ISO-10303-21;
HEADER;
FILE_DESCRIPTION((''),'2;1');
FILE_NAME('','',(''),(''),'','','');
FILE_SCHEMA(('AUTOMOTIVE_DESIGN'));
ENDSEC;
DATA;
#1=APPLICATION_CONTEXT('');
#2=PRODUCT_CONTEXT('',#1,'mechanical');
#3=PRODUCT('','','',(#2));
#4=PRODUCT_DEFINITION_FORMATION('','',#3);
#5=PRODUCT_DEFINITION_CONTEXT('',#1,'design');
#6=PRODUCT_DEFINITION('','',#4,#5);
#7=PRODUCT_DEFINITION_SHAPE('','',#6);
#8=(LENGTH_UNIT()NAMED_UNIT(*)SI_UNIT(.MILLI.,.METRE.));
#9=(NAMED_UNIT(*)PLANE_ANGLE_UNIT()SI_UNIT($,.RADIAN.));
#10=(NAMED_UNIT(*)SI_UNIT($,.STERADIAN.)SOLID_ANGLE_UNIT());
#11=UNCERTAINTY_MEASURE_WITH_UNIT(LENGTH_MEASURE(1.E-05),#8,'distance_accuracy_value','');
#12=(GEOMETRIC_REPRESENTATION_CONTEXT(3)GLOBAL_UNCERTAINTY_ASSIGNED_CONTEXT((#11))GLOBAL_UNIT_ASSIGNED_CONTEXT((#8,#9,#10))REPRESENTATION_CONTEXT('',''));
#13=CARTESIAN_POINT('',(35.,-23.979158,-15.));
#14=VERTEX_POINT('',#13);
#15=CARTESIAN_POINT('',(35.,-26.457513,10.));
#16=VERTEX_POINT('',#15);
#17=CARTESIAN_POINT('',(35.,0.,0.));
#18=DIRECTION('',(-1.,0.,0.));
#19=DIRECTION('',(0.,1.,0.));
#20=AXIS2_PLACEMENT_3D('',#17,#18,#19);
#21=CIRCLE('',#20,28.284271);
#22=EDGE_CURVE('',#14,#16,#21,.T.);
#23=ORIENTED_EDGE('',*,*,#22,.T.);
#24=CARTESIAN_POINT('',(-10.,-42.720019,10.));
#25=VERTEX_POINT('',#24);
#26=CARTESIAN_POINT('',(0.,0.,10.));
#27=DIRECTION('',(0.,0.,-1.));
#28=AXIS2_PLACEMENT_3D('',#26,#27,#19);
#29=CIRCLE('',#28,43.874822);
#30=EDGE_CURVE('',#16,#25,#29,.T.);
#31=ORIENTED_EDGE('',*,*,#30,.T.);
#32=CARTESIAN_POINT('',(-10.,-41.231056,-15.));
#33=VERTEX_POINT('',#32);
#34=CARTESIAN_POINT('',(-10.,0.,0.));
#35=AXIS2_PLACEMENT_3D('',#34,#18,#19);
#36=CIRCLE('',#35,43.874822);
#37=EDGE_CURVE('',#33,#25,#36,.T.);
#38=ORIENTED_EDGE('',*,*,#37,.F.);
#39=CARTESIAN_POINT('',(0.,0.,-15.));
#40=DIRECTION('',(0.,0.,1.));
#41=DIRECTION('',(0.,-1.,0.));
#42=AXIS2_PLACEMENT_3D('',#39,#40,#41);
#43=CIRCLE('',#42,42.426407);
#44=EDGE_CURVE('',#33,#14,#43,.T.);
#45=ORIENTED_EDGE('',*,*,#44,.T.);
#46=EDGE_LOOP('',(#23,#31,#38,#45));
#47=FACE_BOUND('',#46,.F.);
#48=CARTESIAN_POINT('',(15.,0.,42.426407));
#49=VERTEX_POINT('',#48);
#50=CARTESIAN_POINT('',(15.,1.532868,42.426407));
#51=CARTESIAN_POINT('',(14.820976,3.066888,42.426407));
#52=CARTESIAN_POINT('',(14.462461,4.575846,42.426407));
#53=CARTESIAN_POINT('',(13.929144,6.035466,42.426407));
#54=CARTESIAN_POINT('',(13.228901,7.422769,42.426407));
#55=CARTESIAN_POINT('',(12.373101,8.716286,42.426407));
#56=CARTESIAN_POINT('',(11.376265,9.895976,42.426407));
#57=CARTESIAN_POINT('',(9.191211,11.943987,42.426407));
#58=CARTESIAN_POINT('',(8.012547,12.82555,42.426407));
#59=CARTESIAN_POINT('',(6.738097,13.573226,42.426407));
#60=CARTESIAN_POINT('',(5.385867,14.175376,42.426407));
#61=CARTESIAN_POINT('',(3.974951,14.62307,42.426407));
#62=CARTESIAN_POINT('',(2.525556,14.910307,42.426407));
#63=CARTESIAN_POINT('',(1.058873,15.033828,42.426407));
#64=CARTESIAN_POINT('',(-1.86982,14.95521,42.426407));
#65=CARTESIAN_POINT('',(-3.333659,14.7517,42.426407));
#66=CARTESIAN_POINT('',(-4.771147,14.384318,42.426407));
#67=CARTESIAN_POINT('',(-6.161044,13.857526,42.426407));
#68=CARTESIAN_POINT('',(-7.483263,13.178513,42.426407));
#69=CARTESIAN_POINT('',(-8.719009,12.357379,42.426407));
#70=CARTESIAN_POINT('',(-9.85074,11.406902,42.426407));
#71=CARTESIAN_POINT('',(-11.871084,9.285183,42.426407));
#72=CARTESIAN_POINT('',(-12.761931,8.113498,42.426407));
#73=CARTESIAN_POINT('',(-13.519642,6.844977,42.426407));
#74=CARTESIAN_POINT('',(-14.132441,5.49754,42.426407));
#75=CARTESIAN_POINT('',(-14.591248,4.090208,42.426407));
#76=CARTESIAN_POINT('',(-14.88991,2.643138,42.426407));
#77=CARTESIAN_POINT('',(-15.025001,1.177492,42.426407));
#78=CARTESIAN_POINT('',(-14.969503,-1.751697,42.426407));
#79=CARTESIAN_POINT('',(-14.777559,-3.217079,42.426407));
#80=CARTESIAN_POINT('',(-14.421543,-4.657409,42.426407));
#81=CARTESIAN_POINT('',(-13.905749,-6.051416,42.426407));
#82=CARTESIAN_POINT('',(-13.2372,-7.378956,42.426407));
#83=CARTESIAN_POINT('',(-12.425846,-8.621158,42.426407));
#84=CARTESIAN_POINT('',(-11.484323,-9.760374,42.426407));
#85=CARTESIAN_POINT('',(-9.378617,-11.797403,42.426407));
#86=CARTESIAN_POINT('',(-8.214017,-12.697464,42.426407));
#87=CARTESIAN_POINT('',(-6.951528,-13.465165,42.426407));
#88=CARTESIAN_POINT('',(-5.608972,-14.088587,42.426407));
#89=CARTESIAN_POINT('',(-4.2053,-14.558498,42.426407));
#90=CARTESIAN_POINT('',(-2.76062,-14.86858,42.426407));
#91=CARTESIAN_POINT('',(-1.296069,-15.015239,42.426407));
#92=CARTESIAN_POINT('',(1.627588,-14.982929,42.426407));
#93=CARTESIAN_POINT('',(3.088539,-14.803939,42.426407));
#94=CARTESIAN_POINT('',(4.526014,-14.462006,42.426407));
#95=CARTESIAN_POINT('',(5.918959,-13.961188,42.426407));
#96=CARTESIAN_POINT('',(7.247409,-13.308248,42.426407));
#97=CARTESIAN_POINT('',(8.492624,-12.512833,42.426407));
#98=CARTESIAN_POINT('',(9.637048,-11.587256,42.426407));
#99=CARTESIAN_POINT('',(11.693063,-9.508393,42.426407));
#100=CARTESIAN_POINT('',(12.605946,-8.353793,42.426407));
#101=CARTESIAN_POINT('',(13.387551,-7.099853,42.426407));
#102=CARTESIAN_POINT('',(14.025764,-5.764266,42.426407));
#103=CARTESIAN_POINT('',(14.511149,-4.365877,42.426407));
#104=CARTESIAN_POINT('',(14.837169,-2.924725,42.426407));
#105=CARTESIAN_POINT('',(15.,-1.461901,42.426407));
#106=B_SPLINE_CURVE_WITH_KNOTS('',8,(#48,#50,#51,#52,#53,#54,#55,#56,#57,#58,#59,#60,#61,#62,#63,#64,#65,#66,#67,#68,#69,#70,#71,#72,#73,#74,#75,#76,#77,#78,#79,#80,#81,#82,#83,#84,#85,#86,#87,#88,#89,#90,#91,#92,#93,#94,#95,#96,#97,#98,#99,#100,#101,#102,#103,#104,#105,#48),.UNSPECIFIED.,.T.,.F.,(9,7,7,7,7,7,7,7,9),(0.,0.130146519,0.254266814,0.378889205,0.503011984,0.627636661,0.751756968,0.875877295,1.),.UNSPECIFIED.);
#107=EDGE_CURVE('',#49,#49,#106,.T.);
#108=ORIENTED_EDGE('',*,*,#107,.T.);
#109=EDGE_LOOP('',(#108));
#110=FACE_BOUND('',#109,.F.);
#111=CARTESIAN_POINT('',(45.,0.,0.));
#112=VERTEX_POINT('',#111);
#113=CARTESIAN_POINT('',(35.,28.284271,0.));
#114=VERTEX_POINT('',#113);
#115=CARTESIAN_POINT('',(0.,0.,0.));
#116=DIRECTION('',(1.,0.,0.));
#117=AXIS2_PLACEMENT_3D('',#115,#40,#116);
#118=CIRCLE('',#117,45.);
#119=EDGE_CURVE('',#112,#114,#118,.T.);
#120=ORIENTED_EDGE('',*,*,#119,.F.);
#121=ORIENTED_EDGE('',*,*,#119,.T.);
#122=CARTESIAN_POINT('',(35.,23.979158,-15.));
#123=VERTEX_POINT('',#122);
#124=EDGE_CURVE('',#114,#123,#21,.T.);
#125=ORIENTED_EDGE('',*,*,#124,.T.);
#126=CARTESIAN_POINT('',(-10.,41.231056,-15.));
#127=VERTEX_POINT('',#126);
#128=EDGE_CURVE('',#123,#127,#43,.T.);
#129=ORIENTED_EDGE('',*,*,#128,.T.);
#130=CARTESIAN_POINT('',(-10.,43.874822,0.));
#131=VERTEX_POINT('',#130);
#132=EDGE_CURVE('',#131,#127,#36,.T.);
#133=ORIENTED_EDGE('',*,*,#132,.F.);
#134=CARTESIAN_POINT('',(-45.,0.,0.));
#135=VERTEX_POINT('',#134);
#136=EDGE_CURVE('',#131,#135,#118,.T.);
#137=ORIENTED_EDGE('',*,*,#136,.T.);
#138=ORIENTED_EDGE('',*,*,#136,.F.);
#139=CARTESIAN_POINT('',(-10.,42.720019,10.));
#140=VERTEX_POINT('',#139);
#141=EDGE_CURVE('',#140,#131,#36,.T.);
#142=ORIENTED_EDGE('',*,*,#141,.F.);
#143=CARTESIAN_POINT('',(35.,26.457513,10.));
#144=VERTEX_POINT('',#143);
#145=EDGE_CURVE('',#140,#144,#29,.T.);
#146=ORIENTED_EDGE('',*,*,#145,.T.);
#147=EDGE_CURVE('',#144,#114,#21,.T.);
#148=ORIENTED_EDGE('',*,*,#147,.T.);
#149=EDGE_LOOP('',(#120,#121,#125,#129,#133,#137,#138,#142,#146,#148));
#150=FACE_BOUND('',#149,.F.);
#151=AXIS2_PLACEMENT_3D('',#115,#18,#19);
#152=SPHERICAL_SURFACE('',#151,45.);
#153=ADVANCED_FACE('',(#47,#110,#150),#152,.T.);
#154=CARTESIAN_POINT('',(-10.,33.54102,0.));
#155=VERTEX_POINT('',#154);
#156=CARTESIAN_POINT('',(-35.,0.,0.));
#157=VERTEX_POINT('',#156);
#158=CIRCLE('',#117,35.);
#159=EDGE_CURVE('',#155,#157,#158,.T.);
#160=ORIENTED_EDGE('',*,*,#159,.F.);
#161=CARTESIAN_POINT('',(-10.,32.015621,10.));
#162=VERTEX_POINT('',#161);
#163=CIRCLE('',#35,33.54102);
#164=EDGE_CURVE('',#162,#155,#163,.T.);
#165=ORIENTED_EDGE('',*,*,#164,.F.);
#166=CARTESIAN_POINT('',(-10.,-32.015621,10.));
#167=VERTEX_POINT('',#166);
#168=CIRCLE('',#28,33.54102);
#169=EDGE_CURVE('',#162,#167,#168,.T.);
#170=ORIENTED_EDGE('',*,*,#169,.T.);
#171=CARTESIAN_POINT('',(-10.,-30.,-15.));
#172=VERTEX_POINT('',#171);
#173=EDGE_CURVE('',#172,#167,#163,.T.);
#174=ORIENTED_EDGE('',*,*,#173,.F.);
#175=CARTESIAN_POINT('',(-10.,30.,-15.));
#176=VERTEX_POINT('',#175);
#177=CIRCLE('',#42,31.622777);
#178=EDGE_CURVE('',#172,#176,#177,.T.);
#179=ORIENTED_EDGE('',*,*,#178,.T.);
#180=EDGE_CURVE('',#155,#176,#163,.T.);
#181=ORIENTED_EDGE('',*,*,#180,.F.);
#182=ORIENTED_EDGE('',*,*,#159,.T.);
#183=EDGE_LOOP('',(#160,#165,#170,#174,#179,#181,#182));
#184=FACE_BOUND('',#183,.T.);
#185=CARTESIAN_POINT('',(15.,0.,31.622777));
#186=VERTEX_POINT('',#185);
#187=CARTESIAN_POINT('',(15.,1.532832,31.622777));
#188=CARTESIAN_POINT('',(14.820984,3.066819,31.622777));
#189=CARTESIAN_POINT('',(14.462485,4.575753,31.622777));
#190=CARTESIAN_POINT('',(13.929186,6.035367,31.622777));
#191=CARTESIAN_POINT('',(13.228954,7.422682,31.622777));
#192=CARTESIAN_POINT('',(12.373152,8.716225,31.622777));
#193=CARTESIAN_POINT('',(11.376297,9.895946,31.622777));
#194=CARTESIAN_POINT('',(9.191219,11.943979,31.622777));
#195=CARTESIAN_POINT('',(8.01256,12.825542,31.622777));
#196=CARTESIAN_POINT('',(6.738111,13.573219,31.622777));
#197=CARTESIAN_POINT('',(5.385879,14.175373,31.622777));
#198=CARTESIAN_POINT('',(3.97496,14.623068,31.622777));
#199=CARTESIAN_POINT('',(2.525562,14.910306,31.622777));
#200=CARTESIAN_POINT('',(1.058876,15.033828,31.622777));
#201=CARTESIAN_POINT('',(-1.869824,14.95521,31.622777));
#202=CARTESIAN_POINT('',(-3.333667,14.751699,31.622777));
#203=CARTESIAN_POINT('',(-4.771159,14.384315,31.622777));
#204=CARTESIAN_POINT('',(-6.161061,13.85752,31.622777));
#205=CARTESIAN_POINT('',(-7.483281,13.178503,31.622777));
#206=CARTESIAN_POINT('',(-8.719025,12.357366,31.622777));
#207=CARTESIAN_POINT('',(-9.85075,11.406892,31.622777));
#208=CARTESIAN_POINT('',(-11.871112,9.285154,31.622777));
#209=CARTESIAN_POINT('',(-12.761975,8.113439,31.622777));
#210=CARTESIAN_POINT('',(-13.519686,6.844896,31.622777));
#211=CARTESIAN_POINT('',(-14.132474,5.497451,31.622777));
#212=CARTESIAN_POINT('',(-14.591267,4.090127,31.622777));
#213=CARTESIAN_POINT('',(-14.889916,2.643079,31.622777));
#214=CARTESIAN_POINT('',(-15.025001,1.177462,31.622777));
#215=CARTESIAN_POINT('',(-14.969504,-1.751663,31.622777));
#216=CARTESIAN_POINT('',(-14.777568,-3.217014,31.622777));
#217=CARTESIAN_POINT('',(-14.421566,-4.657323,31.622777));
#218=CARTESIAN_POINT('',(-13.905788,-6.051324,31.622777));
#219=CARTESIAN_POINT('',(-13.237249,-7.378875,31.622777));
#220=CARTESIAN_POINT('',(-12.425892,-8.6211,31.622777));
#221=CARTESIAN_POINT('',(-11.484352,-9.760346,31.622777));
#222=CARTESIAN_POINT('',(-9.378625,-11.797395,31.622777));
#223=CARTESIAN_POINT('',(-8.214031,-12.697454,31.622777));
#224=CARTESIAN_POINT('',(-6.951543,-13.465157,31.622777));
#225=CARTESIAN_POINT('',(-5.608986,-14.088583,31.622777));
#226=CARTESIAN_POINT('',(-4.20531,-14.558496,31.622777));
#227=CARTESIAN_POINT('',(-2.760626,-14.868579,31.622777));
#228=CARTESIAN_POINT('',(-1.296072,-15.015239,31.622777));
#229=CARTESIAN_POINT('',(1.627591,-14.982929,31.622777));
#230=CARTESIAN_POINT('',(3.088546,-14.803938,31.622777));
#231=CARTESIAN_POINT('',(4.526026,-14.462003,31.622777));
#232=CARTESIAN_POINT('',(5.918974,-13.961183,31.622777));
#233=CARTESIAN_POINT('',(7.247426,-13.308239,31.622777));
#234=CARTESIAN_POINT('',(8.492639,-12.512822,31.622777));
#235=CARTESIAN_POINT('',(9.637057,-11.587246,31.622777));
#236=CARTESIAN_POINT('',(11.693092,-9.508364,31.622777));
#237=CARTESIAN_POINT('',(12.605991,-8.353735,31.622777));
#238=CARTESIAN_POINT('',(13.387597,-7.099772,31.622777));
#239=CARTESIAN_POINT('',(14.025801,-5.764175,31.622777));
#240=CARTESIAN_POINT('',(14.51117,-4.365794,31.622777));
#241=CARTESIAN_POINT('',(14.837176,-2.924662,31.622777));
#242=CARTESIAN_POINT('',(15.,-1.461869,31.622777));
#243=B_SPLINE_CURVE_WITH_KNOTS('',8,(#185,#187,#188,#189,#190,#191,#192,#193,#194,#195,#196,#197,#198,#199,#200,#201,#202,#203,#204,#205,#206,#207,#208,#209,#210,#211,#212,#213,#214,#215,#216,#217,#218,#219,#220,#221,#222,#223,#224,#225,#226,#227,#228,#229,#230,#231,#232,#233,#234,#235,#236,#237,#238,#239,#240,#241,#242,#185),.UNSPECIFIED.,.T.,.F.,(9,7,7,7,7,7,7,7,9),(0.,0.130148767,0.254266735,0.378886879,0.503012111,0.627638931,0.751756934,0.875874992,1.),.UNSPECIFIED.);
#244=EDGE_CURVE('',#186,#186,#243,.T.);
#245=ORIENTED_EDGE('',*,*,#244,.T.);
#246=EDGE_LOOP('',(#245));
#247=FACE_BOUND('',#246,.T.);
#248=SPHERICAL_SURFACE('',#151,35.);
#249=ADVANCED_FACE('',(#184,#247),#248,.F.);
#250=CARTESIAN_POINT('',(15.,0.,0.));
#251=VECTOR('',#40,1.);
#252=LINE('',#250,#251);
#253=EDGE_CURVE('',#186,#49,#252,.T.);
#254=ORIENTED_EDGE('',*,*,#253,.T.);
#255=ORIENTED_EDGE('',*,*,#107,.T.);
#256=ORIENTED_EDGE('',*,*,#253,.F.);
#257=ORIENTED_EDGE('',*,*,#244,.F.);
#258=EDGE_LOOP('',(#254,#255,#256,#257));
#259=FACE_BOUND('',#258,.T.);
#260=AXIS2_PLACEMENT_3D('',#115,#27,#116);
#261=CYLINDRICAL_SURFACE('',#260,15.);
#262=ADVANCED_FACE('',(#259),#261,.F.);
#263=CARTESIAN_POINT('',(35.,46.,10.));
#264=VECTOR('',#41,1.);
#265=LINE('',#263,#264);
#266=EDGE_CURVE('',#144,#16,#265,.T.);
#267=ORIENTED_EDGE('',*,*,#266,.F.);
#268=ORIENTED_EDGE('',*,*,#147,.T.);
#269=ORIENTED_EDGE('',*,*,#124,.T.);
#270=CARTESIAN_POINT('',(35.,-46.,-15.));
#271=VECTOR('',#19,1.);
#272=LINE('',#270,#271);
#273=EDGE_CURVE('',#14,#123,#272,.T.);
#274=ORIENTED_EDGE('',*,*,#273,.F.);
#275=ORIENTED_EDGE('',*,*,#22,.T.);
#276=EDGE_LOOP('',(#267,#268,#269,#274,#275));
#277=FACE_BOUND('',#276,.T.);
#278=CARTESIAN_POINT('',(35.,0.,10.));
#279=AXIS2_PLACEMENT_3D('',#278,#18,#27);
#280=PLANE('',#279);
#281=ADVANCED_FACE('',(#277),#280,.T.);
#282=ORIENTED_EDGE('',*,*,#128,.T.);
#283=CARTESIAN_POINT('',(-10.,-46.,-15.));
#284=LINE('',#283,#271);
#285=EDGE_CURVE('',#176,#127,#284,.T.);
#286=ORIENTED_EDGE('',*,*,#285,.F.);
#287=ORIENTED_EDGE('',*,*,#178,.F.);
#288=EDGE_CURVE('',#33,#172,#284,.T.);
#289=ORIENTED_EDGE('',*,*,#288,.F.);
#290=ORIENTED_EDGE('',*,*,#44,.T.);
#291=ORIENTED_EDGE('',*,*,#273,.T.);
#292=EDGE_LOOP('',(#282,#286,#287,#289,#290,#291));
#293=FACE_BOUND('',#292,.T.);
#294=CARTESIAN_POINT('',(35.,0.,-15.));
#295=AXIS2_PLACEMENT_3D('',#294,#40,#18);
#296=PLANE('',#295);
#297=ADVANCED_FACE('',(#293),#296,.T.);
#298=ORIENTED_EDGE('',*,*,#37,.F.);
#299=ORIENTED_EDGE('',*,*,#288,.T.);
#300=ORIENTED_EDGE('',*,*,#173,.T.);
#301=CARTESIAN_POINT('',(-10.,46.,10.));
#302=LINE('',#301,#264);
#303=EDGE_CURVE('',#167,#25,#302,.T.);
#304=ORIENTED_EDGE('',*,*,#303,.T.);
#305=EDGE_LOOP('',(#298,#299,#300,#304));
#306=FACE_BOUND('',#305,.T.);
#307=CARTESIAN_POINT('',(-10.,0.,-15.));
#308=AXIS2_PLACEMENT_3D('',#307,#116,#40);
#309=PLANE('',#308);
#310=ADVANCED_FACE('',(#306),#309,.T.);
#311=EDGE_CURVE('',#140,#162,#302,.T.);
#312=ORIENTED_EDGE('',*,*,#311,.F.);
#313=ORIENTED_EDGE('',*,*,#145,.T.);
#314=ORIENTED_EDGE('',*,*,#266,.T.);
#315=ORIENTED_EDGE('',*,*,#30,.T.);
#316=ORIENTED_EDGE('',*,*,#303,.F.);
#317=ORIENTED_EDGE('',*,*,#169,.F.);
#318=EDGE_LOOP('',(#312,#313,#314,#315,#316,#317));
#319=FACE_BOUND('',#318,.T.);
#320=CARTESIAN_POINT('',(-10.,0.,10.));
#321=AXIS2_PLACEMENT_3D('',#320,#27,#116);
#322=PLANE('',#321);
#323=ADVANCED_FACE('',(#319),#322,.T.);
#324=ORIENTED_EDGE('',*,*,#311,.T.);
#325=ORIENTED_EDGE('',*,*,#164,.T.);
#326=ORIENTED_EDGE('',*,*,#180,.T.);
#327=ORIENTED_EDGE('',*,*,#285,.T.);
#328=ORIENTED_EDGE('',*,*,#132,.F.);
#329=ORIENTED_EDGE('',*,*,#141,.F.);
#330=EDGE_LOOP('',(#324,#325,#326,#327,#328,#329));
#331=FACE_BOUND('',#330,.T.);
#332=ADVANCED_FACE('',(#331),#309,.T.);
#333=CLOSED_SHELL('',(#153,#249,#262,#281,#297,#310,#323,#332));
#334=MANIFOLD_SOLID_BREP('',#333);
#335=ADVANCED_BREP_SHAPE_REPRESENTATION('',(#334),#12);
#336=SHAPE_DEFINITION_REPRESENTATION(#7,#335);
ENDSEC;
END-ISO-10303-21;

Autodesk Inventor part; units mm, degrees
ref_plane "YZ Plane" through (0, 0, 0) normal (1, 0, 0) x (0, 1, 0)
ref_plane "XZ Plane" through (0, 0, 0) normal (0, 1, 0) x (-1, 0, 0)
ref_plane "XY Plane" through (0, 0, 0) normal (0, 0, 1) x (1, 0, 0)
sketch "Эскиз1" plane through (0, 0, 0) normal (0, 0, 1) x (1, 0, 0)
  arc A0 (45, 0) -> (-45, 0) centre (0, 0) ccw
  arc A1 (35, 0) -> (-35, 0) centre (0, 0) ccw
  line L0 (-45, 0) -> (-35, 0)
  line L1 (35, 0) -> (45, 0)
  line L2 (-63, 0) -> (63, 0) projected
  dimension "d0" = 45
  dimension "d1" = 35
revolve "Вращение1" add sketch "Эскиз1" angle 360 about axis through (-10, 0, 0) along (1, 0, 0) contours L1 A1 L0 A0
sketch "Эскиз2" plane through (0, 0, 0) normal (0, 0, 1) x (1, 0, 0)
  circle A0 centre (0, 0) radius 15
  dimension "d3" = 30
extrude "Выдавливание1" cut sketch "Эскиз2" along normal through all
sketch "Эскиз3" plane through (0, 0, 0) normal (0, 1, 0) x (-1, 0, 0)
  line L0 (-35, -15) -> (10, -15)
  line L1 (10, -15) -> (10, 10)
  line L2 (10, 10) -> (-35, 10)
  line L3 (-35, 10) -> (-35, -15)
  point P0 (0, 0)
  dimension "d6" = 10
  dimension "d7" = 45
  dimension "d8" = 10
  dimension "d9" = 25
extrude "Выдавливание2" cut sketch "Эскиз3" along normal through all both and the other way through all
